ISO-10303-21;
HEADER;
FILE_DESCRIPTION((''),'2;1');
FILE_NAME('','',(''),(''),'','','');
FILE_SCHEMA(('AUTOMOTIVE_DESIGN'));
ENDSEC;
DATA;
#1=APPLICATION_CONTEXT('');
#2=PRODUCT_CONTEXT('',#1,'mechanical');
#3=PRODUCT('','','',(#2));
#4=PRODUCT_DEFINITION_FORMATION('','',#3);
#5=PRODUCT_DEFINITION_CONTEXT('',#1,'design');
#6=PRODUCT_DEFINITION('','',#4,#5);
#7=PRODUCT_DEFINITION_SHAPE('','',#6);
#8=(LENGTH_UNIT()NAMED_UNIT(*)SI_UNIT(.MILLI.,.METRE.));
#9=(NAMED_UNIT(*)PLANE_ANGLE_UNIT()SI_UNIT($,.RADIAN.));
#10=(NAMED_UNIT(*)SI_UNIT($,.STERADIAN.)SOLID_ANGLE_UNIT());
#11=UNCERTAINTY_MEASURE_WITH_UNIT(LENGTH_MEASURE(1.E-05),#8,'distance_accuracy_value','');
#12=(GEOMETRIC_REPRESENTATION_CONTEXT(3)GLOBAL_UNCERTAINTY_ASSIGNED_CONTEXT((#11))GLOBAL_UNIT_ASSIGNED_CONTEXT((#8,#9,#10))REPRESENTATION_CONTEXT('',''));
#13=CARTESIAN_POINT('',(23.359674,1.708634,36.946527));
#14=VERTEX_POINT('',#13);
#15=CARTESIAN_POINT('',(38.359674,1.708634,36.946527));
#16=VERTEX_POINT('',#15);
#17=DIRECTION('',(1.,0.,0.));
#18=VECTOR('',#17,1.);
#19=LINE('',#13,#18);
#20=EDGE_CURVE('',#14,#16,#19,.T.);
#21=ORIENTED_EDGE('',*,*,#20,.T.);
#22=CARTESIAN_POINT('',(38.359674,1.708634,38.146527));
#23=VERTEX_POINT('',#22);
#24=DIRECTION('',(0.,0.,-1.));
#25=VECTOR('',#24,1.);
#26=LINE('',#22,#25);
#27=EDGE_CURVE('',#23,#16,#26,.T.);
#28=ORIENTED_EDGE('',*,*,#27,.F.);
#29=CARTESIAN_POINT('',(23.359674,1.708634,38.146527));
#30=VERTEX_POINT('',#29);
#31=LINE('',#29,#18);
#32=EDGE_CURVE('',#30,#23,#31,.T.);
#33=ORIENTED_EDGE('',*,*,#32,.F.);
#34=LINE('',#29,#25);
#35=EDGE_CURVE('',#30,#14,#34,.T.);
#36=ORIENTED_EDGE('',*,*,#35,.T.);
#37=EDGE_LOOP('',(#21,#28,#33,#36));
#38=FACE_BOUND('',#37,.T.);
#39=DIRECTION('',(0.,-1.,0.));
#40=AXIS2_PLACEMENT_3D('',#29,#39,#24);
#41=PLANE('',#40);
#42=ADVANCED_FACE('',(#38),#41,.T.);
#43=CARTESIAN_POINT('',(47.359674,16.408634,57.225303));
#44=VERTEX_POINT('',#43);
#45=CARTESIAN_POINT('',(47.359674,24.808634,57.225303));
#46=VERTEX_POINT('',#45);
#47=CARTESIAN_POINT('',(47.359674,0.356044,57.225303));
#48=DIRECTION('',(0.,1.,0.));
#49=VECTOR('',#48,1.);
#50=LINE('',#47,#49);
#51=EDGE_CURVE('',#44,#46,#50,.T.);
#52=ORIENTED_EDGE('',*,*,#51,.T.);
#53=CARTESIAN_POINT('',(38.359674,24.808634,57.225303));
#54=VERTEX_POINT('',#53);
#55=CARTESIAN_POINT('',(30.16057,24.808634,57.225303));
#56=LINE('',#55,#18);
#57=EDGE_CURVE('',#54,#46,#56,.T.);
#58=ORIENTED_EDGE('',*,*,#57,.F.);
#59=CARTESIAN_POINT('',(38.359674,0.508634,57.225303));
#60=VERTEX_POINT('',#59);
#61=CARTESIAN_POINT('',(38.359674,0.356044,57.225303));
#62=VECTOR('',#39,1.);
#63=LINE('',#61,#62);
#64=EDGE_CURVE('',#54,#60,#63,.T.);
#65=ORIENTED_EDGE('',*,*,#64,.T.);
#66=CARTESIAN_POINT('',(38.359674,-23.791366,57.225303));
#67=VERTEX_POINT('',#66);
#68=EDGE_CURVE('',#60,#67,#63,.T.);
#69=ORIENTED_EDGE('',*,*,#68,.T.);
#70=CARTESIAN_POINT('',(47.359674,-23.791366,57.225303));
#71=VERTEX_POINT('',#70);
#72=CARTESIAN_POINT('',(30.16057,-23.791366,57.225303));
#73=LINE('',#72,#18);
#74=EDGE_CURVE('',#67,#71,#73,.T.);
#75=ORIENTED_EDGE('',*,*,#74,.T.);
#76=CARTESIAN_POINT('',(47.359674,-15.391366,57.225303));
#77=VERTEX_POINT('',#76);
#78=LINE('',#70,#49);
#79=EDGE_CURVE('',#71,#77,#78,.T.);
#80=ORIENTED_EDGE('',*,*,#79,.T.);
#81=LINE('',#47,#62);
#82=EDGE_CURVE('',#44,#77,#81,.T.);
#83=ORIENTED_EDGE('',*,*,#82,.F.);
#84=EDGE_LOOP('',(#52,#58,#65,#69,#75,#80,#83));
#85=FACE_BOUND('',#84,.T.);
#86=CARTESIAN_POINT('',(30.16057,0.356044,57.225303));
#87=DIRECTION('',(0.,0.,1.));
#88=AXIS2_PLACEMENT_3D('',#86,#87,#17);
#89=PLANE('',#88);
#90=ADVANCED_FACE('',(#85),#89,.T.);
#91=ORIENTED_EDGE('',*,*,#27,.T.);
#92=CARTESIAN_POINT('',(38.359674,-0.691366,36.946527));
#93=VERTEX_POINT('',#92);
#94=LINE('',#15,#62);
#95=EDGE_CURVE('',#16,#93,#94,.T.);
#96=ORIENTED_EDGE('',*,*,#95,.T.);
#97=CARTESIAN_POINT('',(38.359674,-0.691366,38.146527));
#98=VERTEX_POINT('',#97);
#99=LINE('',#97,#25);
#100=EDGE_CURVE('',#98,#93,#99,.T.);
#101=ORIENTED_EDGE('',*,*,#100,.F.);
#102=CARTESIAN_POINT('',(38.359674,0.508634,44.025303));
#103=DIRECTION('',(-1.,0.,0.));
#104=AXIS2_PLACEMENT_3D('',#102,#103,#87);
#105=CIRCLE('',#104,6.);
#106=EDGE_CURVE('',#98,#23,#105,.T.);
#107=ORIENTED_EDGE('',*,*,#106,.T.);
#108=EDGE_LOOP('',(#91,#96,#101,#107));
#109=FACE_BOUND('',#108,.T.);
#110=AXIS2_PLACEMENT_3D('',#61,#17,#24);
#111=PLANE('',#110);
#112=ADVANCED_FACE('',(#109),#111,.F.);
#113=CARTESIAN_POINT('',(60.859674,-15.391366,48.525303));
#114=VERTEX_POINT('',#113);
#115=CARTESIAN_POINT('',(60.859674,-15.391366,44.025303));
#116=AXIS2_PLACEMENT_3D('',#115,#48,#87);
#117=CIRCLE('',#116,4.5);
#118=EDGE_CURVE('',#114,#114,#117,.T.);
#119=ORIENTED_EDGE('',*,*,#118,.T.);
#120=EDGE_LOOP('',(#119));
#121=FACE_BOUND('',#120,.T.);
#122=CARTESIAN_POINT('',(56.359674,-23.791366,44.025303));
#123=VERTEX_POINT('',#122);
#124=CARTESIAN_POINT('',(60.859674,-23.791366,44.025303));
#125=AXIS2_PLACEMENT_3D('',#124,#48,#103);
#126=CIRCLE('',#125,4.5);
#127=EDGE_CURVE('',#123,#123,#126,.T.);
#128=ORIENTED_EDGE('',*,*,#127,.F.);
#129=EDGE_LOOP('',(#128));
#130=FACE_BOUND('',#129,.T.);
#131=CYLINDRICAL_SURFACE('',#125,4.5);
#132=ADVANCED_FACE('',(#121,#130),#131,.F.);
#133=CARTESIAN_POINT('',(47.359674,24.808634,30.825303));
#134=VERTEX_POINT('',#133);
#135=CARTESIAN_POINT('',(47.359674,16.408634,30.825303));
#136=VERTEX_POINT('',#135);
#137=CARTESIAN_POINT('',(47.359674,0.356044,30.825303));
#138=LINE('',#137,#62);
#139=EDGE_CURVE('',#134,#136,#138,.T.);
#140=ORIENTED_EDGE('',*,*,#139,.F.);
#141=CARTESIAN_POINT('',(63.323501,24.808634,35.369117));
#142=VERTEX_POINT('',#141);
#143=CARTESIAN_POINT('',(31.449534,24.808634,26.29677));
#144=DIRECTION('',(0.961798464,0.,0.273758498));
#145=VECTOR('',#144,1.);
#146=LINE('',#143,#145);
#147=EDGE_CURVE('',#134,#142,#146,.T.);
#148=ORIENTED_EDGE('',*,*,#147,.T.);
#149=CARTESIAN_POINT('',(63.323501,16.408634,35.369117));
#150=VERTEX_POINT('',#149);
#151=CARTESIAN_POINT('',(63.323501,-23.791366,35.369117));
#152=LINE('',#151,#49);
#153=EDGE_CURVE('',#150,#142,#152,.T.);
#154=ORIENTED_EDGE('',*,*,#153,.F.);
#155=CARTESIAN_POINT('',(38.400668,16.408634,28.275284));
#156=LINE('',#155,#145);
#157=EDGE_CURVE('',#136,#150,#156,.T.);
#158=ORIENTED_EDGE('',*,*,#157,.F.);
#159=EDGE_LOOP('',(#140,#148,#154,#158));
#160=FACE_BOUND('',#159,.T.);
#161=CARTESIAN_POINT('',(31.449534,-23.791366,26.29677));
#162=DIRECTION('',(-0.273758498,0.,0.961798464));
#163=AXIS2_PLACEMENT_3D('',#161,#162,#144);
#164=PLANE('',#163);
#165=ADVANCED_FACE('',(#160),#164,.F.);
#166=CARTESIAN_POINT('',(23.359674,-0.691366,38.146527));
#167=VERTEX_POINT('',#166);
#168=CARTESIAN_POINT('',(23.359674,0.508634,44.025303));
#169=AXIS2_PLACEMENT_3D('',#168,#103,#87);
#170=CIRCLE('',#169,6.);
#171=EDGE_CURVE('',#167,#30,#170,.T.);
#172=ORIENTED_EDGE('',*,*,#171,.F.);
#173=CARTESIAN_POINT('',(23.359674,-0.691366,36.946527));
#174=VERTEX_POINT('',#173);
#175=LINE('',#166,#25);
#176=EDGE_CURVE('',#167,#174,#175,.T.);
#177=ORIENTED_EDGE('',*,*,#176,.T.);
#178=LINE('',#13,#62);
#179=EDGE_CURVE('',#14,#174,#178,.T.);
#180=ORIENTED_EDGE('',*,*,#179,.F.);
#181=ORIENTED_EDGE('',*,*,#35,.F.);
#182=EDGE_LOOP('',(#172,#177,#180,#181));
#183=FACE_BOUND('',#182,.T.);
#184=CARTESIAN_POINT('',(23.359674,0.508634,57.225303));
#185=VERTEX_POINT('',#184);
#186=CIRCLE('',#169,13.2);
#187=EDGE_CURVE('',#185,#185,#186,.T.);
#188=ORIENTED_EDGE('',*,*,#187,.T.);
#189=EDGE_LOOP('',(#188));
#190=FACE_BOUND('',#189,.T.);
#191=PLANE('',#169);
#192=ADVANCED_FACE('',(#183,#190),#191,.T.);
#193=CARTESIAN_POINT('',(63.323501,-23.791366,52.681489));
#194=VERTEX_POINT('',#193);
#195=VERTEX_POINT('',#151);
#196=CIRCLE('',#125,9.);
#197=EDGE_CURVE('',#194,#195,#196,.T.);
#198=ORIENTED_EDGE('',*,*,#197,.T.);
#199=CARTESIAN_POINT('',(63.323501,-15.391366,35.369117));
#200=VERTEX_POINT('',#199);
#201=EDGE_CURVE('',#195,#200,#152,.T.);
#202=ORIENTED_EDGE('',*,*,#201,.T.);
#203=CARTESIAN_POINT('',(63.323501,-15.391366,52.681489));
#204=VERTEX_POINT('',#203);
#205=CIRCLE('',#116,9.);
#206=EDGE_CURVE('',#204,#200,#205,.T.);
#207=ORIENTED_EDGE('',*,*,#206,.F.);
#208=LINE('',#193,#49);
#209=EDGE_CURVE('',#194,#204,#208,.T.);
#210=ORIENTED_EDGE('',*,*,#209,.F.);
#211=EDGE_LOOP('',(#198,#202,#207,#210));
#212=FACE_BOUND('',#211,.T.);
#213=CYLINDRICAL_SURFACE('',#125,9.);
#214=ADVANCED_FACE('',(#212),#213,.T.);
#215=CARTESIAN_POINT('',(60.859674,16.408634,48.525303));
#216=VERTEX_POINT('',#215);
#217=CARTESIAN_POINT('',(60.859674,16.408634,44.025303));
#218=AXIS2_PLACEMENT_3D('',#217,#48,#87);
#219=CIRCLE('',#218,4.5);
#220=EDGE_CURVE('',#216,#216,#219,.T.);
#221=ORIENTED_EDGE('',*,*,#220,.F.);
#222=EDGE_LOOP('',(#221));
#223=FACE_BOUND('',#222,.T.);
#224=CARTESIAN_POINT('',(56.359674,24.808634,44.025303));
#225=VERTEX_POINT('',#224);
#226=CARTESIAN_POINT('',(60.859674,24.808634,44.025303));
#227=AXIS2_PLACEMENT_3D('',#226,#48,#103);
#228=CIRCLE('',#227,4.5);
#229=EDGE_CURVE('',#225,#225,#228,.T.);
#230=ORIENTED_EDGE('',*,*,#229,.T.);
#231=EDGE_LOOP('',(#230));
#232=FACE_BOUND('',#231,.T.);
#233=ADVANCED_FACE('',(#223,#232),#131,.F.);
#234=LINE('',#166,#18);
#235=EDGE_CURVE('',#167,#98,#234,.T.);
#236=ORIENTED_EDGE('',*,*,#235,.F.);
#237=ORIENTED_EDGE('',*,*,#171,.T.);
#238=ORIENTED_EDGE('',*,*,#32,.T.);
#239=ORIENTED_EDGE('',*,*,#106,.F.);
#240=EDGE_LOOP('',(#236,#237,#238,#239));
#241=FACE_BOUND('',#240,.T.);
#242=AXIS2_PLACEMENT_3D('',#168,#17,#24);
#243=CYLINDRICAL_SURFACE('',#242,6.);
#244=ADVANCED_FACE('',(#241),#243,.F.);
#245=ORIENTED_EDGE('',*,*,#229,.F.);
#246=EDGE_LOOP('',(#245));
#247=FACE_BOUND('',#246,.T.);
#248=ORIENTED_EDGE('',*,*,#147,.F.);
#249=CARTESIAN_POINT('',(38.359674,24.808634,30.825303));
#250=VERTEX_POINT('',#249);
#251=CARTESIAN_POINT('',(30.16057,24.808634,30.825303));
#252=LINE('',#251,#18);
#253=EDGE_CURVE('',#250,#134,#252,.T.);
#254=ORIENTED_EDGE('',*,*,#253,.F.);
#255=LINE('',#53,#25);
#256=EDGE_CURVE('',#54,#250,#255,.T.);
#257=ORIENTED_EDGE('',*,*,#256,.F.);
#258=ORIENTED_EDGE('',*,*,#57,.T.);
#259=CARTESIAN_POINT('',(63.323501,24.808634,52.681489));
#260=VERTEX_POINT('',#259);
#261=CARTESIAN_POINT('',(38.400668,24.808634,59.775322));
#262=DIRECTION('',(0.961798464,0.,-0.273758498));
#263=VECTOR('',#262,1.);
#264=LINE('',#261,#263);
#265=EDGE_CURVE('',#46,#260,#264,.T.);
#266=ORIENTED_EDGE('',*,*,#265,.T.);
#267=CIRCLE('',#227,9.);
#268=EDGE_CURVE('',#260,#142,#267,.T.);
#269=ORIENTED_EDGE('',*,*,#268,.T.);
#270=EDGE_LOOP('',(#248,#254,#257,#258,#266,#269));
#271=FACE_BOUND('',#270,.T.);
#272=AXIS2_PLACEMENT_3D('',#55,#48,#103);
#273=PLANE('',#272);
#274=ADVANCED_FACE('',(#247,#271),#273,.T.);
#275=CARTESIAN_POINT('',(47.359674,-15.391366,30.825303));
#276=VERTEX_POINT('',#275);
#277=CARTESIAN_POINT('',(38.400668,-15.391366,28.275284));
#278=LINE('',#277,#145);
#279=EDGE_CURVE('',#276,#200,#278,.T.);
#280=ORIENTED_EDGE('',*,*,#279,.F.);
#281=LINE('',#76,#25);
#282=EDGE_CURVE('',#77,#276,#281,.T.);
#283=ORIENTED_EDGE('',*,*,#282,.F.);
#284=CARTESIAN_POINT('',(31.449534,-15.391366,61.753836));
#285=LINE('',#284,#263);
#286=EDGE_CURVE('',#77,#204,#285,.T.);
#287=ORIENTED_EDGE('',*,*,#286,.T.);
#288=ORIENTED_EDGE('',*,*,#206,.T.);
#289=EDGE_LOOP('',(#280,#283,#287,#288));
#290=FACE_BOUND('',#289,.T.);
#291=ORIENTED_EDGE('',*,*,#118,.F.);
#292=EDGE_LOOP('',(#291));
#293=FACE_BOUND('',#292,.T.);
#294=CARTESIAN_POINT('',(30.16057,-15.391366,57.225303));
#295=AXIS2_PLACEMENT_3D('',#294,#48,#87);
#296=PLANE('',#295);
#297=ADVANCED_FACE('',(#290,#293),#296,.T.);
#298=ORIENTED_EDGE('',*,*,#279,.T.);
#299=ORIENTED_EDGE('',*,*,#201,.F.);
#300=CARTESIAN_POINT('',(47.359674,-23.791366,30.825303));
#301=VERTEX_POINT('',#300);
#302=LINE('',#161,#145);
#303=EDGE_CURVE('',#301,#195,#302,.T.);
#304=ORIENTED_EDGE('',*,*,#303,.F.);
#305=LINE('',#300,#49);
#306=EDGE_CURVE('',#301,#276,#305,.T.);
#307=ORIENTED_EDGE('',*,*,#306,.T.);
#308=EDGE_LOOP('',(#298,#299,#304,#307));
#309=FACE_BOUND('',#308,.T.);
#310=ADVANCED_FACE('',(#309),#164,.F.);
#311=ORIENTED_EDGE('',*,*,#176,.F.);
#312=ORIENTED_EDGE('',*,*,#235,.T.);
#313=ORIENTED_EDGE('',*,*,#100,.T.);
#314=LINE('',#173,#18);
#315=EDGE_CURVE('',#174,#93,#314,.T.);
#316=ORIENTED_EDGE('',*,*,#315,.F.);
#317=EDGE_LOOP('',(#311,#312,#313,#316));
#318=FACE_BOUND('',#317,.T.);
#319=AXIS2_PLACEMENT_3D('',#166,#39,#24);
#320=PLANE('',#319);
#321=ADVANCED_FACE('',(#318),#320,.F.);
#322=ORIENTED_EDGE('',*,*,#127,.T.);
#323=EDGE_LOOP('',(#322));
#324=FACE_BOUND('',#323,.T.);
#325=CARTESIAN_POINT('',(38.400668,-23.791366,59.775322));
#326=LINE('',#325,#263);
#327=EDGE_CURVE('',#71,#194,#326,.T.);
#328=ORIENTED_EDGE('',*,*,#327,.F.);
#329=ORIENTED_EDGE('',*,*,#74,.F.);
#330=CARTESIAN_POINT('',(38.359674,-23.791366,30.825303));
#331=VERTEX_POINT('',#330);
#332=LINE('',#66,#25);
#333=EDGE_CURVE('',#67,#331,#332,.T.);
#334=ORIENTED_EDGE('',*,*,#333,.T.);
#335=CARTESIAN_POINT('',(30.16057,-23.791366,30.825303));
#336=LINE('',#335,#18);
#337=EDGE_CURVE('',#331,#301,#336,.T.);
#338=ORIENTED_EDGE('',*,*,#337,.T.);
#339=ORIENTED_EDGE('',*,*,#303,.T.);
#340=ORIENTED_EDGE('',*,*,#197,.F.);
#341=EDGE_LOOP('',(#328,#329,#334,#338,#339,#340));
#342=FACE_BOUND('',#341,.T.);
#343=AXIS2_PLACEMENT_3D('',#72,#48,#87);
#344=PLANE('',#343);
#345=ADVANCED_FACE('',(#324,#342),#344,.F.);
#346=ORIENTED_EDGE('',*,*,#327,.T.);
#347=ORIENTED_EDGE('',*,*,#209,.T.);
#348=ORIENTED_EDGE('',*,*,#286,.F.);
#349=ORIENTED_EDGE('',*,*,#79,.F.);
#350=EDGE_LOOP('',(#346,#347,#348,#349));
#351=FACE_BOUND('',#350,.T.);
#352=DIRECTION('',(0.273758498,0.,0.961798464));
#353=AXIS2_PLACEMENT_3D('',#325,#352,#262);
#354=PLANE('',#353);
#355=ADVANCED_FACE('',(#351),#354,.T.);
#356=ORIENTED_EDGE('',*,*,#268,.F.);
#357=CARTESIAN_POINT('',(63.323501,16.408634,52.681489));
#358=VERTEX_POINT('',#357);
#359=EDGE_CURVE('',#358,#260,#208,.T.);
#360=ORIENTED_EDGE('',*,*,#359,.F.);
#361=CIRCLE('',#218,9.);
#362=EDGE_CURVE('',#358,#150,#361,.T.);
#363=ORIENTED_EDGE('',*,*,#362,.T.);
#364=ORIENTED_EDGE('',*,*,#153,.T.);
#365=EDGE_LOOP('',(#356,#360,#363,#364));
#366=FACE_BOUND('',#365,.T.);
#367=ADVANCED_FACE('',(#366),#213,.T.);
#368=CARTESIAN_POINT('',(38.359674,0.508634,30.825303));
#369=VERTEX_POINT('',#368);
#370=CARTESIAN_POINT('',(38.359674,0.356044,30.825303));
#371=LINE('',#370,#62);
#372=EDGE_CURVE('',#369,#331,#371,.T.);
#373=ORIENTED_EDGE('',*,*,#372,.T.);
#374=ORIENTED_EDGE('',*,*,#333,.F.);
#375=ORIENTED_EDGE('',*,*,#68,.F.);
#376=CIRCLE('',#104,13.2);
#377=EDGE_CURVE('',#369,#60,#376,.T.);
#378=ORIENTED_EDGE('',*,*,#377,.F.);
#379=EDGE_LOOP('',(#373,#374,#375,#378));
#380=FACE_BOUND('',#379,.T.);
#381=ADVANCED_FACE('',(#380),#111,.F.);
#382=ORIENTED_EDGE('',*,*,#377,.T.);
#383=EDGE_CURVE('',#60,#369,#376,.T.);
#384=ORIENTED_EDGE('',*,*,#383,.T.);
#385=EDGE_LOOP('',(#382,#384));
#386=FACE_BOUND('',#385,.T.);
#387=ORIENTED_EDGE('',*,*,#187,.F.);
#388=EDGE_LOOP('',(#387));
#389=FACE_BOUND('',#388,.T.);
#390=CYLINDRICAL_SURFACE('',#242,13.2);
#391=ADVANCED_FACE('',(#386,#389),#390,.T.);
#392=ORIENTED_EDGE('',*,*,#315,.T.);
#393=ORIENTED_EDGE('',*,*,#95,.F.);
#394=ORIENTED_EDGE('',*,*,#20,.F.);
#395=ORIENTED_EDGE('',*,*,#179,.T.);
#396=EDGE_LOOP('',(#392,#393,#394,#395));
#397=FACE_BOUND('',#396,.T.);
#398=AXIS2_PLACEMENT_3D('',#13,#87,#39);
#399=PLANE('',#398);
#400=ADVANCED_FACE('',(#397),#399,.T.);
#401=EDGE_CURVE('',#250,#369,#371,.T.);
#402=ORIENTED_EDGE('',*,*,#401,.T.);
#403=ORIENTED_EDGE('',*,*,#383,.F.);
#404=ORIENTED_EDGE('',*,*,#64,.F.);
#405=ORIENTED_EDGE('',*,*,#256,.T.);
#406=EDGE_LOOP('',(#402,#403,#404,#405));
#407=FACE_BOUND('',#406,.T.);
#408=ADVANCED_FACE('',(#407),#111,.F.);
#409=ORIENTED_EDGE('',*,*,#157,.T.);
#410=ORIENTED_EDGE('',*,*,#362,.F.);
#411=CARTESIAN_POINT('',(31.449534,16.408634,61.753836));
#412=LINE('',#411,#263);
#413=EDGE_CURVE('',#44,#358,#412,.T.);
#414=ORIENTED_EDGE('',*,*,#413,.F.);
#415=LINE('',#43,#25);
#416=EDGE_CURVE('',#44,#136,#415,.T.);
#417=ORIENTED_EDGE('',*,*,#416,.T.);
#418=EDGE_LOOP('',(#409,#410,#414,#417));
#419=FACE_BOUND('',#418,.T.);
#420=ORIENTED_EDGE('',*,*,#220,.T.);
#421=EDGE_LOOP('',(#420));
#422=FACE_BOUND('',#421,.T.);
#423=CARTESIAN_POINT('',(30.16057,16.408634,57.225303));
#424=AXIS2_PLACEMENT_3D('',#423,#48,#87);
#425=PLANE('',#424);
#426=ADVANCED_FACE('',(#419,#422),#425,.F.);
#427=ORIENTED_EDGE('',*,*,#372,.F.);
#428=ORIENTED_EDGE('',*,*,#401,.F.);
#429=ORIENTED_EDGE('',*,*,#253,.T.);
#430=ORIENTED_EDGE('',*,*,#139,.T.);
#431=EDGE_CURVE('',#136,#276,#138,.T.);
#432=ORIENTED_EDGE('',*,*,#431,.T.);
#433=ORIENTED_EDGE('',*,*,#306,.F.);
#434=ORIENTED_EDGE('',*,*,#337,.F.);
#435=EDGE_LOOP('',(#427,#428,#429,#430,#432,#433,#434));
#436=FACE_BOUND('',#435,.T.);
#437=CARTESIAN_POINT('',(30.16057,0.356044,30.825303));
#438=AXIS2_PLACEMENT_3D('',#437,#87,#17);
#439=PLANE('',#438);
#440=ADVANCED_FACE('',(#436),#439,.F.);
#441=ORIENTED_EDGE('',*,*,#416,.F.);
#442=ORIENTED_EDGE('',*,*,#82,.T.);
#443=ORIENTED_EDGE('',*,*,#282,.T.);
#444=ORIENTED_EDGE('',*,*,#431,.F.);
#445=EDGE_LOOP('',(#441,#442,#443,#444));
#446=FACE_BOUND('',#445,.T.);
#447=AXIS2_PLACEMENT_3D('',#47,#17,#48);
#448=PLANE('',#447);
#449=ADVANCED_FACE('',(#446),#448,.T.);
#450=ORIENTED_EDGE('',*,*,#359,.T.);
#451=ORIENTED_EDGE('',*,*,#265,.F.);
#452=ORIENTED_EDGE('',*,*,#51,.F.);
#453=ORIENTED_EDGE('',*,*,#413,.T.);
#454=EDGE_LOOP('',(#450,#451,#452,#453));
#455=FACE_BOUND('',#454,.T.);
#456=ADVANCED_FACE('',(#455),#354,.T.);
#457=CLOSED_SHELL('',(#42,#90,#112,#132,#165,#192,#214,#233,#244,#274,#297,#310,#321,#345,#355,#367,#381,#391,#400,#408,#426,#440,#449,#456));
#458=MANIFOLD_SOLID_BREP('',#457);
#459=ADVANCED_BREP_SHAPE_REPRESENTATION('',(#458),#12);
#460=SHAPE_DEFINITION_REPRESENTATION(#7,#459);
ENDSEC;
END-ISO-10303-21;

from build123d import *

# Parameters (mm, degrees)
BOSS_EXTRUDE1_DEPTH = 88
CUT_EXTRUDE1_DEPTH  = 227.934618696
SKETCH3_R           = 15
CUT_EXTRUDE2_DEPTH  = 227.934618696
SKETCH4_R           = 44
BOSS_EXTRUDE3_DEPTH = 50
SCALE1_SCALE        = 0.3


with BuildPart() as part:
    # Sketch1 → Boss-Extrude1 (new body)
    with BuildSketch(Plane.XY):
        Polygon((27.330348609, 81.508634223), (27.330348609, 59.807321306), (27.330348609, -59.807321306), (27.330348609, -80.491365777), (57.330348609, -80.491365777), (132.330348609, -80.491365777), (132.330348609, -52.491365777), (57.330348609, -52.491365777), (57.330348609, 53.508634223), (132.330348609, 53.508634223), (132.330348609, 81.508634223), (57.330348609, 81.508634223), align=None)
    extrude(amount=BOSS_EXTRUDE1_DEPTH)

    # Sketch2 → Cut-Extrude1 (cut, through all)
    with BuildSketch(Plane(origin=(0, 81.508634223, 0), x_dir=(1, 0, 0), z_dir=(0, 1, 0))):
        with BuildLine():
            Line((132.330348609, 0), (57.330348609, 0))
            Line((57.330348609, 0), (110.543103545, -15.146046088))
            ThreePointArc((110.543103545, -15.146046088), (126.271763021, -25.922149576), (132.330348609, -44))
            Line((132.330348609, -44), (132.330348609, 0))
        make_face()
        with BuildLine():
            Line((132.330348609, -88), (132.330348609, -44))
            ThreePointArc((132.330348609, -44), (126.271763021, -62.077850424), (110.543103545, -72.853953912))
            Line((110.543103545, -72.853953912), (57.330348609, -88))
            Line((57.330348609, -88), (132.330348609, -88))
        make_face()
    extrude(amount=-CUT_EXTRUDE1_DEPTH, mode=Mode.SUBTRACT)

    # Sketch3 → Cut-Extrude2 (cut, through all)
    with BuildSketch(Plane(origin=(0, 81.508634223, 0), x_dir=(1, 0, 0), z_dir=(0, 1, 0))):
        with Locations(Location((102.330348609, -44, 0), (0, 0, 180))):
            Circle(SKETCH3_R)
    extrude(amount=-CUT_EXTRUDE2_DEPTH, mode=Mode.SUBTRACT)

    # Sketch4 → Boss-Extrude3 (add)
    with BuildSketch(Plane.ZY.offset(-27.330348609)):
        with Locations((44, 0.508634223)):
            Circle(SKETCH4_R)
        with BuildLine():
            Line((24.404082058, 4.508634223), (20.404082058, 4.508634223))
            Line((20.404082058, 4.508634223), (20.404082058, -3.491365777))
            Line((20.404082058, -3.491365777), (24.404082058, -3.491365777))
            ThreePointArc((24.404082058, -3.491365777), (64, 0.508634223), (24.404082058, 4.508634223))
        make_face(mode=Mode.SUBTRACT)
    extrude(amount=BOSS_EXTRUDE3_DEPTH)


with BuildPart() as part_1:
    # Scale1: scaled about (43.08652806, 0.508634223, 44.036146931)
    add(part.part.scale(SCALE1_SCALE).moved(Location((30.160569642, 0.356043956, 30.825302852))))


solid = part_1.part
